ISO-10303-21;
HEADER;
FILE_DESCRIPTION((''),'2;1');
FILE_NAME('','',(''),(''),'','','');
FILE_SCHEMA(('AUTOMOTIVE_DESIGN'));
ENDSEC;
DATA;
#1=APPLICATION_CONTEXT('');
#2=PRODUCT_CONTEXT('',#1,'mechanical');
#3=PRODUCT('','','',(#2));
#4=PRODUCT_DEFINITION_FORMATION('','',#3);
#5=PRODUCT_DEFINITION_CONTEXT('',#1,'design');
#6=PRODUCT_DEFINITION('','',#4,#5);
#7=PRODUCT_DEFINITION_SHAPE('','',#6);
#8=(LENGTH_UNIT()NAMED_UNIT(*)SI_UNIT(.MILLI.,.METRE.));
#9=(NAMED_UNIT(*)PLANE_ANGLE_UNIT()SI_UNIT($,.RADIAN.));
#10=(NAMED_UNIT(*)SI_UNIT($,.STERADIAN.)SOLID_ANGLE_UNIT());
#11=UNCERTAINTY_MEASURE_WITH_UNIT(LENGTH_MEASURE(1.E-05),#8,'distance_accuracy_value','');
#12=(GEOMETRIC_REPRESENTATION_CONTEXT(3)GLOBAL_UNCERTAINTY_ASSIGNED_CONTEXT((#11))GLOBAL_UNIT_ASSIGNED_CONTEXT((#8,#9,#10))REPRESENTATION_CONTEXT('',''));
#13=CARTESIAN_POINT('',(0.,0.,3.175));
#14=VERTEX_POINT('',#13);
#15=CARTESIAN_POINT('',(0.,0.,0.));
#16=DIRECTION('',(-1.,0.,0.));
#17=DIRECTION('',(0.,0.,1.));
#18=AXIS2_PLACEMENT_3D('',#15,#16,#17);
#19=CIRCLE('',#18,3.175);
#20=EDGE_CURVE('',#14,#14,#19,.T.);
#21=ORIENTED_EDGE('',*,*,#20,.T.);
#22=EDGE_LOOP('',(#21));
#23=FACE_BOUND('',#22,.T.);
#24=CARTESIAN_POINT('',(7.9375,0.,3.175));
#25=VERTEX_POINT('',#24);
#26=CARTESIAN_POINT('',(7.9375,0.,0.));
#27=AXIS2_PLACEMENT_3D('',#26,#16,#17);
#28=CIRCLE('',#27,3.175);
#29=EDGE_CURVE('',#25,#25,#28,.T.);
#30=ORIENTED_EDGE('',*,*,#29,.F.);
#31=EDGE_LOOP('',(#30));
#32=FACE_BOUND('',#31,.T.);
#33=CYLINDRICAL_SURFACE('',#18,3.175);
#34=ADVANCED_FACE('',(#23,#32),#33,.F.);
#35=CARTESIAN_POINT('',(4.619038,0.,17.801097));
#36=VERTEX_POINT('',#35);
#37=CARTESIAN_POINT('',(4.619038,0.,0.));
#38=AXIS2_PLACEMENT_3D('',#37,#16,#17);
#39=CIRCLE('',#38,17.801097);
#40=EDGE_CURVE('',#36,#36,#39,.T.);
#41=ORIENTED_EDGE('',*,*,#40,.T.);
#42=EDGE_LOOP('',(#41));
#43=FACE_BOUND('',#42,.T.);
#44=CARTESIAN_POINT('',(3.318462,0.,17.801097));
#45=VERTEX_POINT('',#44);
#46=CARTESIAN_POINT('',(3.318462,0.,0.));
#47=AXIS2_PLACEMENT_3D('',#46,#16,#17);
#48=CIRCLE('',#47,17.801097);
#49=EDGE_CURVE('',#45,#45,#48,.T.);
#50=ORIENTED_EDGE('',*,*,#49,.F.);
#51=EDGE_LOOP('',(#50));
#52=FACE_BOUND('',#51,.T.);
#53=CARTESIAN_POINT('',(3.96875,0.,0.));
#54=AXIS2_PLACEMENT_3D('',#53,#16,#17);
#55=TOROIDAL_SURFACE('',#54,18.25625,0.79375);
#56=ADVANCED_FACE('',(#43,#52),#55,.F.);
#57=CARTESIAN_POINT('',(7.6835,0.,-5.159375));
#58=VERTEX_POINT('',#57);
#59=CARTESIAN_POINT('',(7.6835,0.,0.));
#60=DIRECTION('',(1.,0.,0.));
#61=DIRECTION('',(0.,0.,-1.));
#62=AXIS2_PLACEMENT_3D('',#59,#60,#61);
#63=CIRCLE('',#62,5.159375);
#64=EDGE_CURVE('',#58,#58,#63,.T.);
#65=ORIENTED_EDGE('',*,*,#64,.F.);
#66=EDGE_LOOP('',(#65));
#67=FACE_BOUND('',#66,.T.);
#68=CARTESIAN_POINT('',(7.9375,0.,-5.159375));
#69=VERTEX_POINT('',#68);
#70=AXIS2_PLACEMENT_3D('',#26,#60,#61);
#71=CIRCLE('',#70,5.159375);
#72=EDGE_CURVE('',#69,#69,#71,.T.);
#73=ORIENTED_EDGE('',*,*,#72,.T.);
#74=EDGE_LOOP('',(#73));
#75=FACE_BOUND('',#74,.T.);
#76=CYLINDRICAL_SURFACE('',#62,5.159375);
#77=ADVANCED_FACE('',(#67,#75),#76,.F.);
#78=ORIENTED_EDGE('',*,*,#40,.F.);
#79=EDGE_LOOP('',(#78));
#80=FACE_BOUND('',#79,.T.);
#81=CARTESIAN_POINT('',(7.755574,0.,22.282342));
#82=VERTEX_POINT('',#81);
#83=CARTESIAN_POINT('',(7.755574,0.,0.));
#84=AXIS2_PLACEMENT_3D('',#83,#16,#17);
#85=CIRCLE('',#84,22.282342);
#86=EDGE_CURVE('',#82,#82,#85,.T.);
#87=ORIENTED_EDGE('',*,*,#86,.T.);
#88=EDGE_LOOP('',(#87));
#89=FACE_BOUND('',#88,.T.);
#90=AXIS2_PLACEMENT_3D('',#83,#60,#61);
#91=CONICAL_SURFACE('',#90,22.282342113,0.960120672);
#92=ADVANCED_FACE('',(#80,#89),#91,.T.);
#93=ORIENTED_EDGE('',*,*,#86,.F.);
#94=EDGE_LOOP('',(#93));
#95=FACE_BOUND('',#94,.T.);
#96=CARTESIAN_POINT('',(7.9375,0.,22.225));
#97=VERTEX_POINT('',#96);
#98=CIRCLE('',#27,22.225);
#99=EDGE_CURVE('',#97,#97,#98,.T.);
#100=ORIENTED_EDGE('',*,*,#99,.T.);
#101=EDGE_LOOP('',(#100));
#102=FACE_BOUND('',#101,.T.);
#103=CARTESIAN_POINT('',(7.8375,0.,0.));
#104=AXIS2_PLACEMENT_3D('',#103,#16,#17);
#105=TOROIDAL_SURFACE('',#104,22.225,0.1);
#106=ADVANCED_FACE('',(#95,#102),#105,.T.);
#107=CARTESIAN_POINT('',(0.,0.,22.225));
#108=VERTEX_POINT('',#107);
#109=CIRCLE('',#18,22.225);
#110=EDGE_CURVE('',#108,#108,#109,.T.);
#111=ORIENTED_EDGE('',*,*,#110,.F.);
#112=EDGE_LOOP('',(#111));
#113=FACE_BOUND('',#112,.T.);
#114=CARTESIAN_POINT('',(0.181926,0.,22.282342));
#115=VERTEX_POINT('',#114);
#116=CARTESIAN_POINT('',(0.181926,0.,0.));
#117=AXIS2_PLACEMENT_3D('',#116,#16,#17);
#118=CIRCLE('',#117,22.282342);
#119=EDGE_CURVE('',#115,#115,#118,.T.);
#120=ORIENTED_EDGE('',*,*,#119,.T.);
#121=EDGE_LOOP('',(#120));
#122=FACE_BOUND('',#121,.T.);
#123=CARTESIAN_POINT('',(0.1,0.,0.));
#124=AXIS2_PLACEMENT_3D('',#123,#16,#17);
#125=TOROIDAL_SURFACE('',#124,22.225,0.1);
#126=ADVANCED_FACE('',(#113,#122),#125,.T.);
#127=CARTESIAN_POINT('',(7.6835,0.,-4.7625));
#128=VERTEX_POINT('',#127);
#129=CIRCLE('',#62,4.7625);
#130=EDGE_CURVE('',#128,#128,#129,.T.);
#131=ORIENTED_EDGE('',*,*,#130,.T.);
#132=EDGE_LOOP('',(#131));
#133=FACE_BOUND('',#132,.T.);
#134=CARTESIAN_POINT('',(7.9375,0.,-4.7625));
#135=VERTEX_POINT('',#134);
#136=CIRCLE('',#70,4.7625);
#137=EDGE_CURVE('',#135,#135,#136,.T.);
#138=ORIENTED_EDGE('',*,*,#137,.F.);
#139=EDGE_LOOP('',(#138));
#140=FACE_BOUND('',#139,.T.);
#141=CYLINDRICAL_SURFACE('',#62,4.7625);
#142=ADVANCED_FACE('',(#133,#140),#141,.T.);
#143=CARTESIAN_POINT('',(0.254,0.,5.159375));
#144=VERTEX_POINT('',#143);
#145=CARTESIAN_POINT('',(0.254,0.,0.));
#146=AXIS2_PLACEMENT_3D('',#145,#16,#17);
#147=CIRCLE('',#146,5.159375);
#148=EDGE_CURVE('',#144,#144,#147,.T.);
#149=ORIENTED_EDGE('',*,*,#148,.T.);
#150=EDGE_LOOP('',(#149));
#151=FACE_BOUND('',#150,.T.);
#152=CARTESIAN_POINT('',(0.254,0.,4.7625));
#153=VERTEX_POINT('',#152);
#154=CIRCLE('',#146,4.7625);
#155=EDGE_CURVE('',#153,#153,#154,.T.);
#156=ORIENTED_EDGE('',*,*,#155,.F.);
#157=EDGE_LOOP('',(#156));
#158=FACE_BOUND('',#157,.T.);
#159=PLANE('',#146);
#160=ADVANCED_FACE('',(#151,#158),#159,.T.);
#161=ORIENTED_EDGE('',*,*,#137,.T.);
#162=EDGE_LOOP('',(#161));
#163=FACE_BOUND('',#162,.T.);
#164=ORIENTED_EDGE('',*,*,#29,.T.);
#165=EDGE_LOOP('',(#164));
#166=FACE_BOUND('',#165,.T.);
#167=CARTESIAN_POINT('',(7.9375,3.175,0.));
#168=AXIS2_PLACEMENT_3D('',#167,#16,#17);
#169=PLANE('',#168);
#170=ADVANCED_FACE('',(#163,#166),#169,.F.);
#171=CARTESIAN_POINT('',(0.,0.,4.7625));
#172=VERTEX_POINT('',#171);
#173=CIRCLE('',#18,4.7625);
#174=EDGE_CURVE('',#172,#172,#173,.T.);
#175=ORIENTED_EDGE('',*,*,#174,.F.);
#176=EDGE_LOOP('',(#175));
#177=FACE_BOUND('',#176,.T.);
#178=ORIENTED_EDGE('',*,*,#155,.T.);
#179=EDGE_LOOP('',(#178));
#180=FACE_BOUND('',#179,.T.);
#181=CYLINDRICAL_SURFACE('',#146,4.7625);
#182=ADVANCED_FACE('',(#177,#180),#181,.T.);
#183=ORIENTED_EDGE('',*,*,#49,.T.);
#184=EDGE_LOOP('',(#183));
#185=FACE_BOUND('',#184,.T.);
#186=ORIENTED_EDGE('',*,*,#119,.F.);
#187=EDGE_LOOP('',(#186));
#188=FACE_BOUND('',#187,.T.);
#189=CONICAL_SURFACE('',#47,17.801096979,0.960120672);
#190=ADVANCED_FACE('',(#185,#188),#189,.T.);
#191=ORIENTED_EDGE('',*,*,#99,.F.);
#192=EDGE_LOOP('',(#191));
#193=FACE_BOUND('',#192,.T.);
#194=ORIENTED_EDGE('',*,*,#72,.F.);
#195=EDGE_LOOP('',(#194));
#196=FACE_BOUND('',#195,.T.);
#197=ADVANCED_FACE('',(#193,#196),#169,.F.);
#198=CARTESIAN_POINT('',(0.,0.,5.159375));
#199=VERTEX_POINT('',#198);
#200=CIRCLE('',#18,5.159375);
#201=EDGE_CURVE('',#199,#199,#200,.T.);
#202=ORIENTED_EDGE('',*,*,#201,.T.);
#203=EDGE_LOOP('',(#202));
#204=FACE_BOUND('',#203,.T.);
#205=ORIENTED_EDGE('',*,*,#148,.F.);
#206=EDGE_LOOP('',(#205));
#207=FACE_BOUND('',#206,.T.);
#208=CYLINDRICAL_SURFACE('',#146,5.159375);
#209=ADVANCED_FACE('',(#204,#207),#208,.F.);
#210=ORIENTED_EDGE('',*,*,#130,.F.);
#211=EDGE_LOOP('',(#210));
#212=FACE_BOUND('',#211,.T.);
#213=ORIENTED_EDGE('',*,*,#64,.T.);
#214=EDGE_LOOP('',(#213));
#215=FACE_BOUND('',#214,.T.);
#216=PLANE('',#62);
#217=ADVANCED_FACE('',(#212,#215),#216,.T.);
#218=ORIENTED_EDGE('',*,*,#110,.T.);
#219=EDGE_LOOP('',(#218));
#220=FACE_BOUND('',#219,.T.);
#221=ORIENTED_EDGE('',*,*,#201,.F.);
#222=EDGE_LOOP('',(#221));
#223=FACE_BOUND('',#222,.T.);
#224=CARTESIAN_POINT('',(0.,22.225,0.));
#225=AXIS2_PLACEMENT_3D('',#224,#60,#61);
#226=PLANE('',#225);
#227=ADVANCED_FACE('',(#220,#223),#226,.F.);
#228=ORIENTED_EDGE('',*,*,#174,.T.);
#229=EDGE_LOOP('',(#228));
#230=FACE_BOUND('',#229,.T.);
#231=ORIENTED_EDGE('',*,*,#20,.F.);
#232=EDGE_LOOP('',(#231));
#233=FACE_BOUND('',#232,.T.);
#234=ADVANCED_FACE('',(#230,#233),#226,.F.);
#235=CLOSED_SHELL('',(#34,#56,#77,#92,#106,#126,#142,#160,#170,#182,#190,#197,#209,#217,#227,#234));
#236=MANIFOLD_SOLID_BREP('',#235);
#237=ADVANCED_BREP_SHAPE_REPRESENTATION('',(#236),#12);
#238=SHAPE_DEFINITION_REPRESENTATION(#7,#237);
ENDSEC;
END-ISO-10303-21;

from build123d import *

# Parameters (mm, degrees)
SKETCH4_R          = 5.159375
SKETCH4_R_2        = 4.7625
CUT_EXTRUDE1_DEPTH = 0.254
CUT_EXTRUDE2_START = -0.254
SKETCH5_R          = 5.159375
SKETCH5_R_2        = 4.7625
CUT_EXTRUDE2_DEPTH = 0.254


with BuildPart() as part:
    # Sketch1 → Revolve1 (revolve)
    with BuildSketch(Plane.XY, mode=Mode.PRIVATE) as revolve1_sk:
        with BuildLine():
            Line((0, 3.175), (7.9375, 3.175))
            Line((7.9375, 3.175), (7.9375, 22.225))
            ThreePointArc((7.9375, 22.225), (7.867561539, 22.320374545), (7.755573923, 22.282342113))
            Line((7.755573923, 22.282342113), (4.619038236, 17.801096979))
            ThreePointArc((4.619038236, 17.801096979), (3.96875, 17.4625), (3.318461764, 17.801096979))
            Line((3.318461764, 17.801096979), (0.181926077, 22.282342113))
            ThreePointArc((0.181926077, 22.282342113), (0.069938461, 22.320374545), (0, 22.225))
            Line((0, 22.225), (0, 3.175))
        make_face()
    revolve(revolve1_sk.sketch.rotate(Axis((0, 0, 0), (1, 0, 0)), 90), axis=Axis((0, 0, 0), (1, 0, 0)))

    # Sketch4 → Cut-Extrude1 (cut)
    with BuildSketch(Plane(origin=(7.9375, 0, 0), x_dir=(0, 0, -1), z_dir=(1, 0, 0))):
        Circle(SKETCH4_R)
        Circle(SKETCH4_R_2, mode=Mode.SUBTRACT)
    extrude(amount=-CUT_EXTRUDE1_DEPTH, mode=Mode.SUBTRACT)

    # Sketch5 → Cut-Extrude2 (cut)
    with BuildSketch(Plane.ZY.offset(CUT_EXTRUDE2_START)):
        with Locations(Location((0, 0, 0), (0, 0, 180))):
            Circle(SKETCH5_R)
        with Locations(Location((0, 0, 0), (0, 0, 180))):
            Circle(SKETCH5_R_2, mode=Mode.SUBTRACT)
    extrude(amount=CUT_EXTRUDE2_DEPTH, mode=Mode.SUBTRACT)


solid = part.part
